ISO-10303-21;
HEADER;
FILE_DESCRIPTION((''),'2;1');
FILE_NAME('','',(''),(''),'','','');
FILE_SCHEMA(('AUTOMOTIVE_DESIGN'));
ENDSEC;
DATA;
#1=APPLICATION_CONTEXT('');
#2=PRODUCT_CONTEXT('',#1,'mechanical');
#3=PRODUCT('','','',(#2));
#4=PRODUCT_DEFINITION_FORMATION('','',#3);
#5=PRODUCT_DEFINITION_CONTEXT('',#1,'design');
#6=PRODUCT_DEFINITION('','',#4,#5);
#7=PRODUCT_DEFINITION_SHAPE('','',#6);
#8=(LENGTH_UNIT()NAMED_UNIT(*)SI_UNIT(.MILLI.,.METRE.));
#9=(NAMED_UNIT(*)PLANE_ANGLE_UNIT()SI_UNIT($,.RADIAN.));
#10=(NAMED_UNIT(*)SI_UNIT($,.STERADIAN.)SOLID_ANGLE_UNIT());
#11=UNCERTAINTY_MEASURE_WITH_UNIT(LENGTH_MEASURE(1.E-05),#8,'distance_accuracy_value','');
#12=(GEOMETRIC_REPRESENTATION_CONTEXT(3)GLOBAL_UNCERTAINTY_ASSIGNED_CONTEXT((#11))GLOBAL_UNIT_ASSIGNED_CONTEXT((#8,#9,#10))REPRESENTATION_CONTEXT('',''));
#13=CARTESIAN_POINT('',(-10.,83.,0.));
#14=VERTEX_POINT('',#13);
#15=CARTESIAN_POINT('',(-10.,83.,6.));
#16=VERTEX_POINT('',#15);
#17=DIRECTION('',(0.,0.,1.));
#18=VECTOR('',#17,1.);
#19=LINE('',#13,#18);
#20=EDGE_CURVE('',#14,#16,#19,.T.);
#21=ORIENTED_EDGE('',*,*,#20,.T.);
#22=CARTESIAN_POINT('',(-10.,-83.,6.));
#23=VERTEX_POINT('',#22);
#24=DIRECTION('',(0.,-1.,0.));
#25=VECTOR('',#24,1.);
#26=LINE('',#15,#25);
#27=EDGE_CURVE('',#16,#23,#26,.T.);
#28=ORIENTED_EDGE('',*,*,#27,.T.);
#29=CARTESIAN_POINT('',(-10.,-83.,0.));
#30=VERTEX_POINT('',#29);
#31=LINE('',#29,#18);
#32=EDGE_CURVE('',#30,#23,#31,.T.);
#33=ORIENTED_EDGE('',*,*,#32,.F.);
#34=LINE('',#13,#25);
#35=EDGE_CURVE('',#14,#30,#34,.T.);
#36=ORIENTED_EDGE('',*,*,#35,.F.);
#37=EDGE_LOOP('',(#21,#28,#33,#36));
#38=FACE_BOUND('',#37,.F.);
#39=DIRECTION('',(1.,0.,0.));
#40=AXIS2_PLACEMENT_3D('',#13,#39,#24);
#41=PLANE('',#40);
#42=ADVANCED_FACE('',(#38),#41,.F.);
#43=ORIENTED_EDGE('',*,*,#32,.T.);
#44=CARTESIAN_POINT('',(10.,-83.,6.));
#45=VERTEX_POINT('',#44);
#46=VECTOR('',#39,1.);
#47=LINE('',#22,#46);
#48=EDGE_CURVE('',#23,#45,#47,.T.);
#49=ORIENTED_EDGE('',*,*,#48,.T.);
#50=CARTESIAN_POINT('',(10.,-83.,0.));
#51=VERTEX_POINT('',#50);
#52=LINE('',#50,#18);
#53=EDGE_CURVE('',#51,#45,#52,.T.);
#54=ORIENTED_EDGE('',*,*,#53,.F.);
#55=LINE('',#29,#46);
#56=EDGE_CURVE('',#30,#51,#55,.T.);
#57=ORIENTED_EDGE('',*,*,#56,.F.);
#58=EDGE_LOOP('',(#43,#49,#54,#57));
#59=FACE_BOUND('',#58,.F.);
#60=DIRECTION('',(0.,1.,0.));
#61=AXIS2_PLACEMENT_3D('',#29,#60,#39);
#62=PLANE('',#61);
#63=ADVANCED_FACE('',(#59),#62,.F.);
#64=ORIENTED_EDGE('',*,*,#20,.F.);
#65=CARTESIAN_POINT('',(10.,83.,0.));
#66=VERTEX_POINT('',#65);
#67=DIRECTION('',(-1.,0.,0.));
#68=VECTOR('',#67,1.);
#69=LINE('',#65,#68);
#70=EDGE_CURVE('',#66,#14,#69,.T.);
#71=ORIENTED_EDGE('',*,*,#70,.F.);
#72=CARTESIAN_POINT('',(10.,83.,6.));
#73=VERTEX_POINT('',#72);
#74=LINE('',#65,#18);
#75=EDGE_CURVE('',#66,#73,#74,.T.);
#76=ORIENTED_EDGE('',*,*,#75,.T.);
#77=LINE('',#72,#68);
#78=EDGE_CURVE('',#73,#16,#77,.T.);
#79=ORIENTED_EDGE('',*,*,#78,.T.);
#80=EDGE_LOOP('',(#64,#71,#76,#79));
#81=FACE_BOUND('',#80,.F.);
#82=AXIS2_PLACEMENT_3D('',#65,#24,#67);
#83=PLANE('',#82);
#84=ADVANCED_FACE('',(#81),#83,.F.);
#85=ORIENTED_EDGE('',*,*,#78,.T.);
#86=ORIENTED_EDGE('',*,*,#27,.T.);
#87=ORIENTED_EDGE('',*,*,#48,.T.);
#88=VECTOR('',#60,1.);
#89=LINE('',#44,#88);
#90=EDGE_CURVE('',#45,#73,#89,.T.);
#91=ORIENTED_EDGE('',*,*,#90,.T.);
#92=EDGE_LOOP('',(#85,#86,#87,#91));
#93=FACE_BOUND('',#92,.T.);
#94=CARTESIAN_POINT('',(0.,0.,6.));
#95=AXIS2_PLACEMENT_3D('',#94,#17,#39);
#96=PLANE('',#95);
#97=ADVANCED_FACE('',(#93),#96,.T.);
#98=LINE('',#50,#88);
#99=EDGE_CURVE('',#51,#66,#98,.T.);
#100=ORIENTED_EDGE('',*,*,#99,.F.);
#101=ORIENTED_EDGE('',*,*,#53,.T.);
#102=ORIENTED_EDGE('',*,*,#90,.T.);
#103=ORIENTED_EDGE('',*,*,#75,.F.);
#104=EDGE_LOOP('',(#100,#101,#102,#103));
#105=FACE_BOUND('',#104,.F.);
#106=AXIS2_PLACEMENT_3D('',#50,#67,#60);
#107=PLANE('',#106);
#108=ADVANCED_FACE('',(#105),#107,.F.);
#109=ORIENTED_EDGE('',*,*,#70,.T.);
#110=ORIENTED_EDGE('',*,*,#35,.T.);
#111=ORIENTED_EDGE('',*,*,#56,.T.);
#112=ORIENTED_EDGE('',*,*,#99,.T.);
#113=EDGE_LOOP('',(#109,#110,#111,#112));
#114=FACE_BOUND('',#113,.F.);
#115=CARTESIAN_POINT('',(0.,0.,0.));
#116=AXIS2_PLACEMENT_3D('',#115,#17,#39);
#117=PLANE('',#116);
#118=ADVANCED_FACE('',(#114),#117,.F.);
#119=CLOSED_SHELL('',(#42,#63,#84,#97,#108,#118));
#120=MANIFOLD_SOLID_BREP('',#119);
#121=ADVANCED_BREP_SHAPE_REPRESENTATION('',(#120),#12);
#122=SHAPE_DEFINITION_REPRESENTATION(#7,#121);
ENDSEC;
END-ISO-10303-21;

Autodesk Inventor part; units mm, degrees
ref_plane "YZ Plane" through (0, 0, 0) normal (1, 0, 0) x (0, 1, 0)
ref_plane "XZ Plane" through (0, 0, 0) normal (0, 1, 0) x (-1, 0, 0)
ref_plane "XY Plane" through (0, 0, 0) normal (0, 0, 1) x (1, 0, 0)
sketch "Skizze1" plane through (0, 0, 0) normal (0, 0, 1) x (1, 0, 0)
  line L0 (-10, -83) -> (10, -83)
  line L1 (10, -83) -> (10, 83)
  line L2 (10, 83) -> (-10, 83)
  line L3 (-10, 83) -> (-10, -83)
extrude "Extrusion1" add sketch "Skizze1" along normal blind 6
properties part number "Probe_Platzhalter"
